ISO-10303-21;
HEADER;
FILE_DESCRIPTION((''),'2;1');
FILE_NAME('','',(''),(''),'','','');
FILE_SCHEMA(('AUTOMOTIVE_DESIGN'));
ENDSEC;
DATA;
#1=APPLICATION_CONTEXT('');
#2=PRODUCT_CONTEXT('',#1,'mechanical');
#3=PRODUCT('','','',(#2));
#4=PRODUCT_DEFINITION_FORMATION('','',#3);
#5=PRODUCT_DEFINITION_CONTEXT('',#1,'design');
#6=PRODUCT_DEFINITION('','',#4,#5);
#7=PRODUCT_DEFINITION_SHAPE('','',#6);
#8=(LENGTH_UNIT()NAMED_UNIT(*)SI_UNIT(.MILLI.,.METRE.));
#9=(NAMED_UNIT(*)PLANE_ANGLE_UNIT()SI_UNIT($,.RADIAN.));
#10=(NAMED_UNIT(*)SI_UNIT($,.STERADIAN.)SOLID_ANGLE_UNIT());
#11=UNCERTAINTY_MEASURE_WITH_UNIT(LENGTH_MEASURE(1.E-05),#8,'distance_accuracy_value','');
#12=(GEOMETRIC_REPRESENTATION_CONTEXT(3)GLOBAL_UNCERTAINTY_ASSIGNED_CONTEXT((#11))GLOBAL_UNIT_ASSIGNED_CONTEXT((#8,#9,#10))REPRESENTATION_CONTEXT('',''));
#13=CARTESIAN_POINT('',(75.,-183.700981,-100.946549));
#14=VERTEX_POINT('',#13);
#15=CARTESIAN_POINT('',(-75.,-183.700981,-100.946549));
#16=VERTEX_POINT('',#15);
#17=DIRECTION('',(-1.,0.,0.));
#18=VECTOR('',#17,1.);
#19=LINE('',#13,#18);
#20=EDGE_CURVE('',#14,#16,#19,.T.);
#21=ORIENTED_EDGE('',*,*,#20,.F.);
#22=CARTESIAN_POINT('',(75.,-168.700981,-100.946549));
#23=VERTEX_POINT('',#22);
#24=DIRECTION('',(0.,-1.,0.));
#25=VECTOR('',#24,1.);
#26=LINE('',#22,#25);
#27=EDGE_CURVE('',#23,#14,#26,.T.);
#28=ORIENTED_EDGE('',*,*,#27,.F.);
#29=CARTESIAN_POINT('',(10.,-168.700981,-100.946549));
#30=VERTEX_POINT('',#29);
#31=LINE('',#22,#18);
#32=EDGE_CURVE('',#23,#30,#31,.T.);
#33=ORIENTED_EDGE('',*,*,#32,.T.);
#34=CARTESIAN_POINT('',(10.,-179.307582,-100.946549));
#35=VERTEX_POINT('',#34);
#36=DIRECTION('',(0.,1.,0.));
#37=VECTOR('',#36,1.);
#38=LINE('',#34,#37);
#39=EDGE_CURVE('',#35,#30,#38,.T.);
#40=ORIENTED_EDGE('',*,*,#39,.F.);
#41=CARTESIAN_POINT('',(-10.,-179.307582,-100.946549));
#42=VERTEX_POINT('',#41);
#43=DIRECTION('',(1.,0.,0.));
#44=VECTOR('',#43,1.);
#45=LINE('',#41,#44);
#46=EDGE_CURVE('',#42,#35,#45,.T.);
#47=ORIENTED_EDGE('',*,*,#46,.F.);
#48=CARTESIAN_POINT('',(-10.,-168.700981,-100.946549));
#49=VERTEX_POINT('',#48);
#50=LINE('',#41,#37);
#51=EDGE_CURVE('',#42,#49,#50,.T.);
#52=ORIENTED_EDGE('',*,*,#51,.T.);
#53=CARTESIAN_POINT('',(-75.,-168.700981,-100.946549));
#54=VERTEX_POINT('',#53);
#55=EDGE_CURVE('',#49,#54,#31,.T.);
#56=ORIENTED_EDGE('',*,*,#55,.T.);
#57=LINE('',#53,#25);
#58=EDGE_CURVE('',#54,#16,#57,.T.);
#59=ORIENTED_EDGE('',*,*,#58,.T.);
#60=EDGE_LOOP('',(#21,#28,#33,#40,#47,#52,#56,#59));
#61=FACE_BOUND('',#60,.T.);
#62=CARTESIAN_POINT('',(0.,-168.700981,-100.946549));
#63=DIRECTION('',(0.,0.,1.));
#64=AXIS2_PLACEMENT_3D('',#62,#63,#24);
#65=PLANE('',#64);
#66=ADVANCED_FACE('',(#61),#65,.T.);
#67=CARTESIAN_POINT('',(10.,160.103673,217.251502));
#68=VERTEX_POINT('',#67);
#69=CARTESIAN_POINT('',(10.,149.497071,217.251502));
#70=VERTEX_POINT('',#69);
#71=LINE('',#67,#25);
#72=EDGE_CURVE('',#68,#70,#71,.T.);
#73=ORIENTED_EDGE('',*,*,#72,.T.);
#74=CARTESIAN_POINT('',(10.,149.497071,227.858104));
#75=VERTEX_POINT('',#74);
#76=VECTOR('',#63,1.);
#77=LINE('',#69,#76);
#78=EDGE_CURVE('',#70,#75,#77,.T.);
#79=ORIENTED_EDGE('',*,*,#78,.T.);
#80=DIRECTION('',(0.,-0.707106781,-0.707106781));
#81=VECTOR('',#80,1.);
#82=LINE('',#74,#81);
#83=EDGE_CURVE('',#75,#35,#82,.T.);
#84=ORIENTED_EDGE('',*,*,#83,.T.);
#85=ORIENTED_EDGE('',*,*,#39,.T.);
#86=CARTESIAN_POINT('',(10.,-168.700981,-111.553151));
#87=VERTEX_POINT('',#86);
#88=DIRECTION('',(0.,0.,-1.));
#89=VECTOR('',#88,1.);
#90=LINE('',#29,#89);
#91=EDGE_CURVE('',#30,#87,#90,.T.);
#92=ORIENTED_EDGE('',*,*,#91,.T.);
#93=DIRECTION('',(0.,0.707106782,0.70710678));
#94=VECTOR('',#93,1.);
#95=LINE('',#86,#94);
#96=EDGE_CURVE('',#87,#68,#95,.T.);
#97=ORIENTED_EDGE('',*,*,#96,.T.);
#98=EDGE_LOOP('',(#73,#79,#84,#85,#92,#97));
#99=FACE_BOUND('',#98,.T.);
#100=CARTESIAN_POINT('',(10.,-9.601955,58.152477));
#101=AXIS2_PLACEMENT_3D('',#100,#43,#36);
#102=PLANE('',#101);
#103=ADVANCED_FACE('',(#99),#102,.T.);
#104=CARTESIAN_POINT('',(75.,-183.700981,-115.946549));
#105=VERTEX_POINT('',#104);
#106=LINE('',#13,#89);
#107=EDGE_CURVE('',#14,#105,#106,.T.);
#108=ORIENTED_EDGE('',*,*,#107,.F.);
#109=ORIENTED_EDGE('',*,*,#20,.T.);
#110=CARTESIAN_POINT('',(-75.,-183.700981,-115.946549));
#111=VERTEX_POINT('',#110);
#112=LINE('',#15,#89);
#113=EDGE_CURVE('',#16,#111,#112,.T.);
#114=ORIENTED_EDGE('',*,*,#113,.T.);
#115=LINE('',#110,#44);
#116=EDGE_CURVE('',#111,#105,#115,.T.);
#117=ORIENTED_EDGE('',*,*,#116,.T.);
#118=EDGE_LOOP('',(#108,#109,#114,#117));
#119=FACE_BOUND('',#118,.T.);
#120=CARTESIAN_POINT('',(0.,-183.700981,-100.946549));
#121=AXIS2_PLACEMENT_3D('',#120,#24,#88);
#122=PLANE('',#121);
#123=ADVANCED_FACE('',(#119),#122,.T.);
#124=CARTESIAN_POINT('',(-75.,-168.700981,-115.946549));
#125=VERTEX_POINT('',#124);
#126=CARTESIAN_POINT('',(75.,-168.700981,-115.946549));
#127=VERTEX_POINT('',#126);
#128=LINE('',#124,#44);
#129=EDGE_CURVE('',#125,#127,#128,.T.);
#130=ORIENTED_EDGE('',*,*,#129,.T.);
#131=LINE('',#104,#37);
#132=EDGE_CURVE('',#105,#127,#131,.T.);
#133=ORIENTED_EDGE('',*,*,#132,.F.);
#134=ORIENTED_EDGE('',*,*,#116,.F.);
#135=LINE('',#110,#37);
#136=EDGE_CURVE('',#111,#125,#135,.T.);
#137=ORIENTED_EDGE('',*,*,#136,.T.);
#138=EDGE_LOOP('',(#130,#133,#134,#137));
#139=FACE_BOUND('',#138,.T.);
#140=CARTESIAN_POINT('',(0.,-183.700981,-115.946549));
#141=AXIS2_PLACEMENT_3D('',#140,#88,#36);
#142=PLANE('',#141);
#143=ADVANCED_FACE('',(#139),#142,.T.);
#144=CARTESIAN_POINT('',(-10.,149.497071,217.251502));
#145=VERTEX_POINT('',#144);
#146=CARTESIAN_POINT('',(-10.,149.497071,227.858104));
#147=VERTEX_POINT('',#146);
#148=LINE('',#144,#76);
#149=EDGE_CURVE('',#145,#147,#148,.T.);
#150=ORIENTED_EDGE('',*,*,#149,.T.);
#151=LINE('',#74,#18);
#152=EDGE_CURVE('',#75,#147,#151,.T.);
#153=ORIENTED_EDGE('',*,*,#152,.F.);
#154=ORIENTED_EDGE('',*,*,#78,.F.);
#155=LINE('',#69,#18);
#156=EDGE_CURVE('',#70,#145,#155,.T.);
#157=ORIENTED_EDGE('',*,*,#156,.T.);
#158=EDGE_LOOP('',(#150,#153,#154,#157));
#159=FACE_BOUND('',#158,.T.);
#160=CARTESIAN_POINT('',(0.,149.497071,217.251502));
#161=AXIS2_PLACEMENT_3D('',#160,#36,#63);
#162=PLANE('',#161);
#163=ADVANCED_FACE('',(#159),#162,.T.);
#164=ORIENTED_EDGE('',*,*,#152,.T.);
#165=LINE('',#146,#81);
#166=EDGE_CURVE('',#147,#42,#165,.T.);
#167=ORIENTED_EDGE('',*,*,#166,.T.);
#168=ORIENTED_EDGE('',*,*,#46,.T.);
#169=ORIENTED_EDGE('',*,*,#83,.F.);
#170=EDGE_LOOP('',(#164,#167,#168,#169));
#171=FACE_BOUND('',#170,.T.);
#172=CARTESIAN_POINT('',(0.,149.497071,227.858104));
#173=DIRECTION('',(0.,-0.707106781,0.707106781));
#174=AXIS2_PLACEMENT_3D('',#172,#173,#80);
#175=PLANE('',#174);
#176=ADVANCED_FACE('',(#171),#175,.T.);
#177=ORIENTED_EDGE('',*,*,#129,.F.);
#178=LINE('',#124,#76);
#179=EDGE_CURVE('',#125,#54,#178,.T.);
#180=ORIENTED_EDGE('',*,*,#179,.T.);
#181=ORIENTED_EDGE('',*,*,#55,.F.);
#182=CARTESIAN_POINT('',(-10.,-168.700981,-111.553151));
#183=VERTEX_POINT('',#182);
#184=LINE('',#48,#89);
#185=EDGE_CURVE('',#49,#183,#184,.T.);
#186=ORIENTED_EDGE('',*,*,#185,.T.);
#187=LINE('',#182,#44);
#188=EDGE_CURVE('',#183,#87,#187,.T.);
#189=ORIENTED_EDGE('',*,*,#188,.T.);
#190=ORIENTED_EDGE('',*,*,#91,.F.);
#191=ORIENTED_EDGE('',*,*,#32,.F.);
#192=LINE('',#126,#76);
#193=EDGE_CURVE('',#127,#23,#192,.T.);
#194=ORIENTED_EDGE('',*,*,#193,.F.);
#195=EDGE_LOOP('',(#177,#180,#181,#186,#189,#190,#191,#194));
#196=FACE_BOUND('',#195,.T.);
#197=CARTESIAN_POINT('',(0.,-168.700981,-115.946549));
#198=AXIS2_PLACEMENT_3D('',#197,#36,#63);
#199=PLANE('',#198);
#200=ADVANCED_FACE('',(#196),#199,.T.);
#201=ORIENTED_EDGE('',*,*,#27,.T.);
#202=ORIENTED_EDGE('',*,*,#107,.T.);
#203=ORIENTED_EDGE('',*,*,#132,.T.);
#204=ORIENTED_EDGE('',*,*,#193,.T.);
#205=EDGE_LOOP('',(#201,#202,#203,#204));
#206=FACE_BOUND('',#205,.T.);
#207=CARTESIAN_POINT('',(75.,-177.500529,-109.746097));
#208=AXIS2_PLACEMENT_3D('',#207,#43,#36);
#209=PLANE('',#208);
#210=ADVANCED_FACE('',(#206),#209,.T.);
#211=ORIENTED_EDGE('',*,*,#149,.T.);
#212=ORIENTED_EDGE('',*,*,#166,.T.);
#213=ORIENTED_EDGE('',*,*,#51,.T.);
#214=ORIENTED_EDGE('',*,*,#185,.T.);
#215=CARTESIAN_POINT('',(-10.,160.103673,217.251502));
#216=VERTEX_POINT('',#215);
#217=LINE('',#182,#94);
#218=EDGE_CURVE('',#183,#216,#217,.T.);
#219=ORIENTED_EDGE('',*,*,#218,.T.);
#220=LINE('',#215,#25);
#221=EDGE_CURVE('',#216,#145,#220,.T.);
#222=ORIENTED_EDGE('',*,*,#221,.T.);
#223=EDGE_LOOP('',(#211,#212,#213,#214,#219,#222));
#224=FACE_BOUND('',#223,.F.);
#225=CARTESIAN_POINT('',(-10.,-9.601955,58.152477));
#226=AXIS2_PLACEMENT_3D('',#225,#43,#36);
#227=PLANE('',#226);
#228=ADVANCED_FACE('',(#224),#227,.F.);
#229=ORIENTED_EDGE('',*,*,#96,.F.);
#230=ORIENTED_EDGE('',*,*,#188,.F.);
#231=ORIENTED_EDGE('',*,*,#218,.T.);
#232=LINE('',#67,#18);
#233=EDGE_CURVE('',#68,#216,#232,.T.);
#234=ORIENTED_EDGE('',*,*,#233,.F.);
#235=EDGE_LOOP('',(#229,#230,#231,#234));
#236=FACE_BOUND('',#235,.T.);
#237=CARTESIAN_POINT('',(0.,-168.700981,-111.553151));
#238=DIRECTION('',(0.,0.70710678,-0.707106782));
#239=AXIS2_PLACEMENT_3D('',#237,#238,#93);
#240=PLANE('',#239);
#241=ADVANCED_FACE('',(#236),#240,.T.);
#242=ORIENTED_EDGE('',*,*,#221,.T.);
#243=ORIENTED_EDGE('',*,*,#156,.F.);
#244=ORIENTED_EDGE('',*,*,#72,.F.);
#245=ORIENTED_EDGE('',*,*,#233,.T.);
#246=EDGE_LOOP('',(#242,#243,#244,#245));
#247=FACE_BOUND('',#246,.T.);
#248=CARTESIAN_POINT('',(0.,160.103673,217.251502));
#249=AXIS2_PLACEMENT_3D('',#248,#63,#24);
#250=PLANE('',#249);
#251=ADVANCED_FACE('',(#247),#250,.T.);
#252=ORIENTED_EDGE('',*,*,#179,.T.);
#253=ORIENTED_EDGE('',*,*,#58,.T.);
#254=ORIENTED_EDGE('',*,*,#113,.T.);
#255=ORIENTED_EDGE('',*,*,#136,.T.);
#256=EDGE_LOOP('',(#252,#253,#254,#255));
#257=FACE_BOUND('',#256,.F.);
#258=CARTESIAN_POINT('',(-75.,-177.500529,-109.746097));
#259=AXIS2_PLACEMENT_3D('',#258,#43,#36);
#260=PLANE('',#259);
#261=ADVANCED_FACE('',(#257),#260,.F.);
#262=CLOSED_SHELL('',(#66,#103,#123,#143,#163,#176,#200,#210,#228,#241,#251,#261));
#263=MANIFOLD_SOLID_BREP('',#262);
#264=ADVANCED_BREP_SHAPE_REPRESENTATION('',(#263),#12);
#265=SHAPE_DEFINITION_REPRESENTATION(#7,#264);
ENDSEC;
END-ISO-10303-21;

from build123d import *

# Parameters (mm, degrees)
F1_DEPTH = 10
F2_DEPTH = 75


with BuildPart() as f1:
    # F0 (on Right) → F1 (new body, symmetric)
    with BuildSketch(Plane.YZ):
        Polygon((149.497071, 227.858104), (-179.307582, -100.946549), (-168.700981, -100.946549), (-168.700981, -111.553151), (160.103673, 217.251502), (149.497071, 217.251502), align=None)
    extrude(amount=F1_DEPTH, both=True)

    # F0 (on Right) → F2 (join, symmetric)
    with BuildSketch(Plane.YZ):
        Polygon((-168.700981, -111.553151), (-179.307582, -100.946549), (-183.700981, -100.946549), (-183.700981, -115.946549), (-168.700981, -115.946549), align=None)
        Polygon((-168.700981, -100.946549), (-179.307582, -100.946549), (-168.700981, -111.553151), align=None)
    extrude(amount=F2_DEPTH, both=True)


solid = f1.part
